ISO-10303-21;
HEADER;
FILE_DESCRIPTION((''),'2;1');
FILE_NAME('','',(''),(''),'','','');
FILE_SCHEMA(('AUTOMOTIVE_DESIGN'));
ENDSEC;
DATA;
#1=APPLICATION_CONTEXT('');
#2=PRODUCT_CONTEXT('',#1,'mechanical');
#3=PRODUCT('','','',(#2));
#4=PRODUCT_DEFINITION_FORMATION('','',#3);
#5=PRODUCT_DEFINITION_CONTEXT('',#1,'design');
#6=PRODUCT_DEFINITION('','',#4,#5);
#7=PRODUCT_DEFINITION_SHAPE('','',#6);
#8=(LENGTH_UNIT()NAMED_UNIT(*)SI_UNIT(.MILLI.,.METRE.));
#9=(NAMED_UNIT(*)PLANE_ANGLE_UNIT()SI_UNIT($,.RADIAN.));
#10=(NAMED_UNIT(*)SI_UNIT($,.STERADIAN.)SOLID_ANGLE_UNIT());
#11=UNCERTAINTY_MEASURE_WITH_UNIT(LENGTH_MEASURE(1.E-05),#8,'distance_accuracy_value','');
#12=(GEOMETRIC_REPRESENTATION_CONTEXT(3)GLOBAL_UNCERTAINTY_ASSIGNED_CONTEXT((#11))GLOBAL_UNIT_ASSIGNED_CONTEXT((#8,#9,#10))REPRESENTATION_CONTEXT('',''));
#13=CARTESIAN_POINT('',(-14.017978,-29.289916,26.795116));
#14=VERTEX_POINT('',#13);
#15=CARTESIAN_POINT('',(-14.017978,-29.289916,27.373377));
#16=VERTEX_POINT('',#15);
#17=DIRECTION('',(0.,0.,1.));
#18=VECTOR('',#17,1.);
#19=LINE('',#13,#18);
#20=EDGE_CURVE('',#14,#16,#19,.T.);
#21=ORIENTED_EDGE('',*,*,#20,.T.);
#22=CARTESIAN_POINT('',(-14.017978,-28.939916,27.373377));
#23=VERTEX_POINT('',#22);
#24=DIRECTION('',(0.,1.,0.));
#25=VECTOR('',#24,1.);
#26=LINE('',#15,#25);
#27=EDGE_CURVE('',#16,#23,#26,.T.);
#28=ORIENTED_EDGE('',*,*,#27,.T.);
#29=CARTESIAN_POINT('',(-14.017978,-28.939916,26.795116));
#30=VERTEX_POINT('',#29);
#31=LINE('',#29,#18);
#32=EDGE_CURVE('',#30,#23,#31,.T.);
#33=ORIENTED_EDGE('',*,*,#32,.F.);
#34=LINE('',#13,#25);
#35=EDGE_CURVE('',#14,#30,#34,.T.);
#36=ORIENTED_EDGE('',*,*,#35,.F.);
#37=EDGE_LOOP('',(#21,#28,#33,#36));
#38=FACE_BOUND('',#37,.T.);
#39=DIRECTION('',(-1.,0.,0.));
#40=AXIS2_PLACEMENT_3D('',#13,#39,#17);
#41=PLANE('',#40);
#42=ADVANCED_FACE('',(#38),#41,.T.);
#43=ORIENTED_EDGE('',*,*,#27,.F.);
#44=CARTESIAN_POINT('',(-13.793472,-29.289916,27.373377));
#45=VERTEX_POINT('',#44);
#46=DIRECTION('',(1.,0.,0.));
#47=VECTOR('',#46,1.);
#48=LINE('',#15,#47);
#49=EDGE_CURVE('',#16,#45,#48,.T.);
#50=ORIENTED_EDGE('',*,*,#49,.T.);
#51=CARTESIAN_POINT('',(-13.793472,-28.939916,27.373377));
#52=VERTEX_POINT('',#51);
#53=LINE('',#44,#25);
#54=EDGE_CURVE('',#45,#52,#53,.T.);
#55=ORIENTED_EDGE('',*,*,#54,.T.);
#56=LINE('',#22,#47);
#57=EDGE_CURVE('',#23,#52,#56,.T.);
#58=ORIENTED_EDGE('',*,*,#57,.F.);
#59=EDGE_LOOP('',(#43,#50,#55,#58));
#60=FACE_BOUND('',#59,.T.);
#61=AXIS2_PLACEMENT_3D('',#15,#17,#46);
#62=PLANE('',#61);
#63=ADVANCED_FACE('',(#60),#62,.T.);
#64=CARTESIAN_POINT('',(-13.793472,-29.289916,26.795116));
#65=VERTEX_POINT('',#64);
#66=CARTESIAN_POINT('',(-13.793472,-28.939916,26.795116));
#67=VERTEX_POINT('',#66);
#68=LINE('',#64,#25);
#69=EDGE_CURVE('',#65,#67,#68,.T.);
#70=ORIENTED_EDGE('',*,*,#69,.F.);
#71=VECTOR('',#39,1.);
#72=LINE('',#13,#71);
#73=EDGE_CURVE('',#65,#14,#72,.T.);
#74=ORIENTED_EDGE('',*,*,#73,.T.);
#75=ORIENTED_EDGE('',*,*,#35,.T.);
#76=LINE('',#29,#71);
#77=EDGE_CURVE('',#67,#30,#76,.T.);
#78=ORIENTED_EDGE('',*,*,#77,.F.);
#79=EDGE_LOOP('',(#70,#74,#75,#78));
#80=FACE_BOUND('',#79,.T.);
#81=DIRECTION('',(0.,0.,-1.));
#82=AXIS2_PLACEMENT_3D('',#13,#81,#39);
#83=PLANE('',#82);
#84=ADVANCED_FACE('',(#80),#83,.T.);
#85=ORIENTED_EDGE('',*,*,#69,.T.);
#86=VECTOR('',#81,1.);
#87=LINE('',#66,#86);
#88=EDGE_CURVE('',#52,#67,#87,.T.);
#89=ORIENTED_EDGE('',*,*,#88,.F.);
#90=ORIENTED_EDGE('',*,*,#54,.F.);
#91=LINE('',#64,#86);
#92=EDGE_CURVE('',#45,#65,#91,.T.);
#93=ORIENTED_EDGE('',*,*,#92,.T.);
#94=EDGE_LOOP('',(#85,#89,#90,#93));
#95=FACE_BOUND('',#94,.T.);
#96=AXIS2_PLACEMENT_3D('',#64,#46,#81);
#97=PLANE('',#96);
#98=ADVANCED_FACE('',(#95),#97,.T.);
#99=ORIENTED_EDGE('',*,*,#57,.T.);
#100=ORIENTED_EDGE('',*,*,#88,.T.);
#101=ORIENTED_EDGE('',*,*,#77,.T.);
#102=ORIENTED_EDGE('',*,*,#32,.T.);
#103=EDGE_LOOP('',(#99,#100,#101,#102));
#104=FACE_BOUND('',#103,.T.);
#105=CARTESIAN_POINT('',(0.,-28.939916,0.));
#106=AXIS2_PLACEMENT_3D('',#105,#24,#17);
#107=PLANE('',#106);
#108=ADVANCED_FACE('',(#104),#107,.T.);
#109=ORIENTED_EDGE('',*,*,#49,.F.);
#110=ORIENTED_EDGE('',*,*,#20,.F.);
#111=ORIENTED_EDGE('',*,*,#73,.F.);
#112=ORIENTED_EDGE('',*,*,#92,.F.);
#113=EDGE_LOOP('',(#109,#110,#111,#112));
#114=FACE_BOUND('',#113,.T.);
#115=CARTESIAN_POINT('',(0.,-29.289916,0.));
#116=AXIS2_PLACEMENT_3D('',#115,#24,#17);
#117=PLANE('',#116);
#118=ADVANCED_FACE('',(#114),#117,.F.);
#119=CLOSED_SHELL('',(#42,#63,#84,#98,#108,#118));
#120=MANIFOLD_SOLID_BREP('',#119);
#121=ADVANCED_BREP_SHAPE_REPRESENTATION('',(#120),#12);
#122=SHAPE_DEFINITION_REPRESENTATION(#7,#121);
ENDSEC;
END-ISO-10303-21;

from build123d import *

# Parameters (mm, degrees)
BOSS_EXTRUDE1_DEPTH      = 0.175
BOSS_EXTRUDE1_DEPTH_BACK = 0.175
SKETCH3_W                = 0.22450602
SKETCH3_H                = 0.578260954


with BuildPart() as part:
    # Sketch3 → Boss-Extrude1 (new, two sides: drawn at the far end of the back side and taken through both)
    with BuildSketch(Plane(origin=(-13.833188261, -29.114916232, 26.767669777), x_dir=(1, 0, 0), z_dir=(0, 1, 0)).offset(-BOSS_EXTRUDE1_DEPTH_BACK)):
        with Locations((-0.072536362, -0.31657666)):
            Rectangle(SKETCH3_W, SKETCH3_H)
    extrude(amount=BOSS_EXTRUDE1_DEPTH + BOSS_EXTRUDE1_DEPTH_BACK)


solid = part.part
